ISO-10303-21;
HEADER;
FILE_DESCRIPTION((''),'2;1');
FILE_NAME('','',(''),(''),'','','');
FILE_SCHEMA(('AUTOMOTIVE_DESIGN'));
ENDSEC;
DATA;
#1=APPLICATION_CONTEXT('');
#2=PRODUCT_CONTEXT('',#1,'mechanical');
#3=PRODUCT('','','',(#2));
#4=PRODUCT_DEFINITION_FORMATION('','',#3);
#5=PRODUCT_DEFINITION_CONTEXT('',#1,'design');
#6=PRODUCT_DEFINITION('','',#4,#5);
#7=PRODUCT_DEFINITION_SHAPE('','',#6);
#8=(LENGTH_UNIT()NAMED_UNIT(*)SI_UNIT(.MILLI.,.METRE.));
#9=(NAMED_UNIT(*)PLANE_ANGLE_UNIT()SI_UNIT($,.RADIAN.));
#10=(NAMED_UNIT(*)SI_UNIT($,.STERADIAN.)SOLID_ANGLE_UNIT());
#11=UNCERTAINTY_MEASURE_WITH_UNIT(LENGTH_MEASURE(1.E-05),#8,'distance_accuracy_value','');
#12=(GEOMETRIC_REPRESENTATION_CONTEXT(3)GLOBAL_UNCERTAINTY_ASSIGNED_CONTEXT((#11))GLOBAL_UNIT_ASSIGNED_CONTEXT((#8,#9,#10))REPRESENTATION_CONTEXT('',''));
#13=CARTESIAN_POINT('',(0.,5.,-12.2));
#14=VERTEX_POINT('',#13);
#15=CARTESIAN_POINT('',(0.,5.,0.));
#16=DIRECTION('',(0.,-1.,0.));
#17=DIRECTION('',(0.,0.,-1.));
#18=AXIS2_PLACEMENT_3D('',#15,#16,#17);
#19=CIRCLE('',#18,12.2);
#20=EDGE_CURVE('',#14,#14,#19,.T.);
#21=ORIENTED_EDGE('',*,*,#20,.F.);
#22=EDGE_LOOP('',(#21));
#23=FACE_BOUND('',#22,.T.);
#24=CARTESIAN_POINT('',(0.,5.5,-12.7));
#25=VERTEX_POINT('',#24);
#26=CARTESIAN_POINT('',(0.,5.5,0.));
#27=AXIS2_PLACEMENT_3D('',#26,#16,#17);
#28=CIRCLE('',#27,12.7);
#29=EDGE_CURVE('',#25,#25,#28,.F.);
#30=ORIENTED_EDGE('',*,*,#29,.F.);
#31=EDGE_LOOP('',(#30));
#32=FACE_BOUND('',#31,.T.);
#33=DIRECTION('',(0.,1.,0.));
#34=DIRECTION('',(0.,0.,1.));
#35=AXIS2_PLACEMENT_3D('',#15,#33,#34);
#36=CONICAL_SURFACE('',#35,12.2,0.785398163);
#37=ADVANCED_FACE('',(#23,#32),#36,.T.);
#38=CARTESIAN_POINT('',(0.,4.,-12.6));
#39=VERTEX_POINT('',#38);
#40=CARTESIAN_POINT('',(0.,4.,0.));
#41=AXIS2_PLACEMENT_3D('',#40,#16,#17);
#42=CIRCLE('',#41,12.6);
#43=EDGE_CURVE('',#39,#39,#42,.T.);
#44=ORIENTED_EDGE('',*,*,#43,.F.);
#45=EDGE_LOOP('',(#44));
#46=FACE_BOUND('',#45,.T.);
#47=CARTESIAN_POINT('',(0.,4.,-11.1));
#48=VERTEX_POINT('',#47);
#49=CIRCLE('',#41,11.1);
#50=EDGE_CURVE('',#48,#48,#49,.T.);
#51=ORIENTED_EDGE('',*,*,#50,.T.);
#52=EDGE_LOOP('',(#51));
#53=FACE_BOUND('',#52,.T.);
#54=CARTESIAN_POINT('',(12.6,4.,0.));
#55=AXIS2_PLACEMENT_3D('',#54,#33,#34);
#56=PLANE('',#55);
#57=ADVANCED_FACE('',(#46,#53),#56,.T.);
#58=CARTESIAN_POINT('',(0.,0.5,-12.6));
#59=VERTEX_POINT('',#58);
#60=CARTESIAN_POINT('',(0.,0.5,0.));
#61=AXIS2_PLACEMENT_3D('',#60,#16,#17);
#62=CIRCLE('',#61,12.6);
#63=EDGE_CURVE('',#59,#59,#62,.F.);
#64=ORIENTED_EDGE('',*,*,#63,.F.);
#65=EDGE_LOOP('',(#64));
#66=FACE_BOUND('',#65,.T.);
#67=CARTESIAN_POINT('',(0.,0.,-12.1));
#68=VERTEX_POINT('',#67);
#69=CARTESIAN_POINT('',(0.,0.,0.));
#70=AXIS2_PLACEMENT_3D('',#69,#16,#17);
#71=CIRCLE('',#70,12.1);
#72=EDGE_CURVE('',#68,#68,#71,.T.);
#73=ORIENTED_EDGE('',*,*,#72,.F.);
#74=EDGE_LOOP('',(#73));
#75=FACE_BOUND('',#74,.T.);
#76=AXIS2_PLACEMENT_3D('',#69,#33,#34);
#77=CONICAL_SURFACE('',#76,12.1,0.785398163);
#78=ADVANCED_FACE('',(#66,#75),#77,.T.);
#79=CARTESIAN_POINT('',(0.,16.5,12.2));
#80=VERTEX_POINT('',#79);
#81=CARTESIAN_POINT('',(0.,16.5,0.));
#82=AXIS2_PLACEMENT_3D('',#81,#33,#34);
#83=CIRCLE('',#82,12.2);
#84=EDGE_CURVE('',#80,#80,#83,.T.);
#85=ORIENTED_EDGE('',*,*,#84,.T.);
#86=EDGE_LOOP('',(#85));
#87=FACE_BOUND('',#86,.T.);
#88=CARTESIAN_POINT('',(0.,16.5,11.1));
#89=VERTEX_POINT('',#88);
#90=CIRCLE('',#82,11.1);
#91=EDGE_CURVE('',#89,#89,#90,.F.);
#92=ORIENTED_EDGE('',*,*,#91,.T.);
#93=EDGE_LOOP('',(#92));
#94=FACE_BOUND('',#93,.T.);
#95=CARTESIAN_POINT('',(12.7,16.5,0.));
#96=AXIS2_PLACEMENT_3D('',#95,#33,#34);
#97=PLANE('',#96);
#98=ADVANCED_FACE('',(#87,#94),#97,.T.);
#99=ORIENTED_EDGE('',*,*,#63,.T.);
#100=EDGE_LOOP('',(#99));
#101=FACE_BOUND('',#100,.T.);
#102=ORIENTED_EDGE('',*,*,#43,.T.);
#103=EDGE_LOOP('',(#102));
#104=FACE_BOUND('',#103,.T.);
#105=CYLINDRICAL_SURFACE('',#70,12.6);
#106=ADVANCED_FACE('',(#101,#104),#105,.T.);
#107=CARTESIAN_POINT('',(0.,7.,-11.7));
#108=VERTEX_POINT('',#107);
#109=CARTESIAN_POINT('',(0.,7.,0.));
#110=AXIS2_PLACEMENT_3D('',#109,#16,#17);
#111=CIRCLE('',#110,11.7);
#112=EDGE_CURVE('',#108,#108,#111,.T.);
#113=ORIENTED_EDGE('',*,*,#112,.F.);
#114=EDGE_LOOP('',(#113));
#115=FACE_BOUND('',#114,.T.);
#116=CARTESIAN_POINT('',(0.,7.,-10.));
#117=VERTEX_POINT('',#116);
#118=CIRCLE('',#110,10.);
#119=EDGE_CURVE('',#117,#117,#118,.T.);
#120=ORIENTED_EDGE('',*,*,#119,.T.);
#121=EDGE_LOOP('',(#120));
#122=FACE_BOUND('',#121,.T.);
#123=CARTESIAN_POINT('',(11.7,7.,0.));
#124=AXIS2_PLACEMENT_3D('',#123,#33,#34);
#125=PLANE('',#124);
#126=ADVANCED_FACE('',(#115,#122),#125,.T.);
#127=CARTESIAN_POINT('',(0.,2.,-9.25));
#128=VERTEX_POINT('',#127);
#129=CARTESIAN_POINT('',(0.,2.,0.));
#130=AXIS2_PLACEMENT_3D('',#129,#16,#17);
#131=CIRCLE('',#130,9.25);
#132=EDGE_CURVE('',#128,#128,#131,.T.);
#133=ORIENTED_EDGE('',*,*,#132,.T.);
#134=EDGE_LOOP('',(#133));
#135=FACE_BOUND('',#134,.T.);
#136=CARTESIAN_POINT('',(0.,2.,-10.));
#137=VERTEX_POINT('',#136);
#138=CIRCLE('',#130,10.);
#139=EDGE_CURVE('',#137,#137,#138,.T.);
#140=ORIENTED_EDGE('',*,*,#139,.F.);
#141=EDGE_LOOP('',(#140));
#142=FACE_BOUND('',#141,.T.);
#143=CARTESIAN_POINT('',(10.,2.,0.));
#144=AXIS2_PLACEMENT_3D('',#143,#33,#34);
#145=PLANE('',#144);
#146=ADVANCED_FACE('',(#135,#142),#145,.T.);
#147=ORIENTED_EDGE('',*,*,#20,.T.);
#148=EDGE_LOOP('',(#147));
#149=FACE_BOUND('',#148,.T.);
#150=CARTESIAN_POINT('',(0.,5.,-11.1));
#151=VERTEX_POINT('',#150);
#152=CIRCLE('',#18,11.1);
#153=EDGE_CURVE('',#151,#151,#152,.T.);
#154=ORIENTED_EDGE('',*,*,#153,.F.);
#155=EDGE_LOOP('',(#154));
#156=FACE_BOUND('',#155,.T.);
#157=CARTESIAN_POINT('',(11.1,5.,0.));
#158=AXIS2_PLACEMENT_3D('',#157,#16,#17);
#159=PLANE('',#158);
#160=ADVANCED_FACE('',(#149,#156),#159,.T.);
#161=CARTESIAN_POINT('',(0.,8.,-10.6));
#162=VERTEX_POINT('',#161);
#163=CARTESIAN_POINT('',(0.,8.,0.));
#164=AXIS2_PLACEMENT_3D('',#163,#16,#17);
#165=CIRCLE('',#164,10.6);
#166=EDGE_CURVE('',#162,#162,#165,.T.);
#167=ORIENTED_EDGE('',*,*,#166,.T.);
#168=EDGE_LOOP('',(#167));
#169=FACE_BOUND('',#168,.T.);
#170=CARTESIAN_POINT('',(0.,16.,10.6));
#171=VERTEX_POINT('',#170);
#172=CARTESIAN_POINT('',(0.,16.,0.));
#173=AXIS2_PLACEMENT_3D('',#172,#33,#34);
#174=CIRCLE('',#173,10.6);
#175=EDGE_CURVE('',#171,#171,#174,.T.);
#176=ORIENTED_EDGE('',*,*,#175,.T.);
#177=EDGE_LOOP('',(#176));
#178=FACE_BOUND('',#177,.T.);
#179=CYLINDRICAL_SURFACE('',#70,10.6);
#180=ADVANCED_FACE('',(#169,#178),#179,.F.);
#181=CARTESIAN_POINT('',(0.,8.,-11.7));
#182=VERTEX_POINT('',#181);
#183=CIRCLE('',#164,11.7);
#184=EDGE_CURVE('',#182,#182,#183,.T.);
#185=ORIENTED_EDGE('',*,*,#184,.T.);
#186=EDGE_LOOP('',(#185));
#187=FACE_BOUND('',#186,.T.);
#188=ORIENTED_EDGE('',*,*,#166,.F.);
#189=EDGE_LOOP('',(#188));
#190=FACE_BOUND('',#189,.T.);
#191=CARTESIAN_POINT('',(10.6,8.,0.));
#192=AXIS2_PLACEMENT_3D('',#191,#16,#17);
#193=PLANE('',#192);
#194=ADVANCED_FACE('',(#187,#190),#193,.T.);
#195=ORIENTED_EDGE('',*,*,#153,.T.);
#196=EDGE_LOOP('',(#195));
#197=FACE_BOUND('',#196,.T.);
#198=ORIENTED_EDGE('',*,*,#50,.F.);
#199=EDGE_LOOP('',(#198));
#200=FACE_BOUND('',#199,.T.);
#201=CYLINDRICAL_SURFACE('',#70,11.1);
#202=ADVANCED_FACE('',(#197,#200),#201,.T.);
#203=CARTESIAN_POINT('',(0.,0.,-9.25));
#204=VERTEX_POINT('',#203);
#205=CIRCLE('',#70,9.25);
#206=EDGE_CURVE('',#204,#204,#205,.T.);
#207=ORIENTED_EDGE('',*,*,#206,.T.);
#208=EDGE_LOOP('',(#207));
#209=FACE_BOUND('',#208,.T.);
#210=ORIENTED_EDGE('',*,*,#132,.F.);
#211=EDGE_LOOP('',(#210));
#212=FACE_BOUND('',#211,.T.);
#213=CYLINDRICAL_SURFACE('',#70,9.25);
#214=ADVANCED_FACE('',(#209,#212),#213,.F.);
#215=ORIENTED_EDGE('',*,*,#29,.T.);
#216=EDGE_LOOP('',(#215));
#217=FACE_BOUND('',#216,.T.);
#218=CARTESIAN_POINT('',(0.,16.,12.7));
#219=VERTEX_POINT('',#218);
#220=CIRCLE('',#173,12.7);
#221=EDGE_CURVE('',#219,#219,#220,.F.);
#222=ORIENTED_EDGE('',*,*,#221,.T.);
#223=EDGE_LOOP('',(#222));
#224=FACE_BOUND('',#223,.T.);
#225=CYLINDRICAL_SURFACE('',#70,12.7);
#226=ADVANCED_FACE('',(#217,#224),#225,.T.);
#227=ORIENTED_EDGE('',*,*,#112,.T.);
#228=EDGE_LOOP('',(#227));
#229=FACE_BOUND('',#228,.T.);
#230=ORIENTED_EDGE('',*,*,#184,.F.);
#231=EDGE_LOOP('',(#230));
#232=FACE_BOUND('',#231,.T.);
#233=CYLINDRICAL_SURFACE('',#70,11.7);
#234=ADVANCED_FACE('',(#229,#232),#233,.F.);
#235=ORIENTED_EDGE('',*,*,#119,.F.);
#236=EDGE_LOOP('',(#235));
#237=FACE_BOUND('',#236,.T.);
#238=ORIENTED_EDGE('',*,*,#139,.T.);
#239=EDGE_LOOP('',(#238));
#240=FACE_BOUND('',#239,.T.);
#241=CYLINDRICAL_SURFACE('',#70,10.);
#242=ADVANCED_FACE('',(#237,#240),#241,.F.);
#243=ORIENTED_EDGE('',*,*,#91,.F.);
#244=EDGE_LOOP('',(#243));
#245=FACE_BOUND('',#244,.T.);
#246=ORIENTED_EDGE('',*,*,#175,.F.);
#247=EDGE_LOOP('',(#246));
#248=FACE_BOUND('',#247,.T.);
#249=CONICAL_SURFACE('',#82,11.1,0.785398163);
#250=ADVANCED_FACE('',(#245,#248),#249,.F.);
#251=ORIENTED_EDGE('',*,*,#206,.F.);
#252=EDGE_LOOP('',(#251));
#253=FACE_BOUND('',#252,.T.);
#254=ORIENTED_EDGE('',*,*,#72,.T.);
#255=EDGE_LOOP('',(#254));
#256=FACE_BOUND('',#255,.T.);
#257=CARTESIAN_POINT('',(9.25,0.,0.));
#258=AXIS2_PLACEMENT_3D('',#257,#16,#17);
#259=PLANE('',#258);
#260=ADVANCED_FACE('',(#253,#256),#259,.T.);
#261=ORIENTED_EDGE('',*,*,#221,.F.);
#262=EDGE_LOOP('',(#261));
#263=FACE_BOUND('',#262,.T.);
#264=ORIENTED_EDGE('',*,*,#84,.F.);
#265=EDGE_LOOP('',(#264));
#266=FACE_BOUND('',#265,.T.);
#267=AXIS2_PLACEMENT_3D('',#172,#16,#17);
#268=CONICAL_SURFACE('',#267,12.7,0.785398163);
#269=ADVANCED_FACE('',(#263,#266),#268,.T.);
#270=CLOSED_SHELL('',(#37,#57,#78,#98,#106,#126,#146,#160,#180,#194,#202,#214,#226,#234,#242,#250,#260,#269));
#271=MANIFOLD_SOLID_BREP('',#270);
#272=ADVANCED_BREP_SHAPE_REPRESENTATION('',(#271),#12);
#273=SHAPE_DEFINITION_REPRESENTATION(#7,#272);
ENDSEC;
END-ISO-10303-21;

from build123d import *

# Parameters (mm, degrees)
CHAMFER_1_SIZE = 0.5


with BuildPart() as part:
    # 草图1 → 旋转1 (revolve)
    with BuildSketch(Plane.XY, mode=Mode.PRIVATE) as revolve_1_sk:
        Polygon((9.25, 0), (12.6, 0), (12.6, 4), (11.1, 4), (11.1, 5), (12.7, 5), (12.7, 16.5), (10.6, 16.5), (10.6, 8), (11.7, 8), (11.7, 7), (10, 7), (10, 2), (9.25, 2), align=None)
    revolve(revolve_1_sk.sketch.rotate(Axis((0, 0, 0), (0, 1, 0)), 90), axis=Axis((0, 0, 0), (0, 1, 0)))  # turned: the seam where the file's is

    # 倒角1
    chamfer_1_edges = [part.edges().sort_by_distance(p)[0] for p in [
        (0, 16.5, 10.6),
        (0, 16.5, 12.7),
        (0, 5, 12.7),
        (0, 0, 12.6),
    ]]
    chamfer(chamfer_1_edges, length=CHAMFER_1_SIZE)


solid = part.part
